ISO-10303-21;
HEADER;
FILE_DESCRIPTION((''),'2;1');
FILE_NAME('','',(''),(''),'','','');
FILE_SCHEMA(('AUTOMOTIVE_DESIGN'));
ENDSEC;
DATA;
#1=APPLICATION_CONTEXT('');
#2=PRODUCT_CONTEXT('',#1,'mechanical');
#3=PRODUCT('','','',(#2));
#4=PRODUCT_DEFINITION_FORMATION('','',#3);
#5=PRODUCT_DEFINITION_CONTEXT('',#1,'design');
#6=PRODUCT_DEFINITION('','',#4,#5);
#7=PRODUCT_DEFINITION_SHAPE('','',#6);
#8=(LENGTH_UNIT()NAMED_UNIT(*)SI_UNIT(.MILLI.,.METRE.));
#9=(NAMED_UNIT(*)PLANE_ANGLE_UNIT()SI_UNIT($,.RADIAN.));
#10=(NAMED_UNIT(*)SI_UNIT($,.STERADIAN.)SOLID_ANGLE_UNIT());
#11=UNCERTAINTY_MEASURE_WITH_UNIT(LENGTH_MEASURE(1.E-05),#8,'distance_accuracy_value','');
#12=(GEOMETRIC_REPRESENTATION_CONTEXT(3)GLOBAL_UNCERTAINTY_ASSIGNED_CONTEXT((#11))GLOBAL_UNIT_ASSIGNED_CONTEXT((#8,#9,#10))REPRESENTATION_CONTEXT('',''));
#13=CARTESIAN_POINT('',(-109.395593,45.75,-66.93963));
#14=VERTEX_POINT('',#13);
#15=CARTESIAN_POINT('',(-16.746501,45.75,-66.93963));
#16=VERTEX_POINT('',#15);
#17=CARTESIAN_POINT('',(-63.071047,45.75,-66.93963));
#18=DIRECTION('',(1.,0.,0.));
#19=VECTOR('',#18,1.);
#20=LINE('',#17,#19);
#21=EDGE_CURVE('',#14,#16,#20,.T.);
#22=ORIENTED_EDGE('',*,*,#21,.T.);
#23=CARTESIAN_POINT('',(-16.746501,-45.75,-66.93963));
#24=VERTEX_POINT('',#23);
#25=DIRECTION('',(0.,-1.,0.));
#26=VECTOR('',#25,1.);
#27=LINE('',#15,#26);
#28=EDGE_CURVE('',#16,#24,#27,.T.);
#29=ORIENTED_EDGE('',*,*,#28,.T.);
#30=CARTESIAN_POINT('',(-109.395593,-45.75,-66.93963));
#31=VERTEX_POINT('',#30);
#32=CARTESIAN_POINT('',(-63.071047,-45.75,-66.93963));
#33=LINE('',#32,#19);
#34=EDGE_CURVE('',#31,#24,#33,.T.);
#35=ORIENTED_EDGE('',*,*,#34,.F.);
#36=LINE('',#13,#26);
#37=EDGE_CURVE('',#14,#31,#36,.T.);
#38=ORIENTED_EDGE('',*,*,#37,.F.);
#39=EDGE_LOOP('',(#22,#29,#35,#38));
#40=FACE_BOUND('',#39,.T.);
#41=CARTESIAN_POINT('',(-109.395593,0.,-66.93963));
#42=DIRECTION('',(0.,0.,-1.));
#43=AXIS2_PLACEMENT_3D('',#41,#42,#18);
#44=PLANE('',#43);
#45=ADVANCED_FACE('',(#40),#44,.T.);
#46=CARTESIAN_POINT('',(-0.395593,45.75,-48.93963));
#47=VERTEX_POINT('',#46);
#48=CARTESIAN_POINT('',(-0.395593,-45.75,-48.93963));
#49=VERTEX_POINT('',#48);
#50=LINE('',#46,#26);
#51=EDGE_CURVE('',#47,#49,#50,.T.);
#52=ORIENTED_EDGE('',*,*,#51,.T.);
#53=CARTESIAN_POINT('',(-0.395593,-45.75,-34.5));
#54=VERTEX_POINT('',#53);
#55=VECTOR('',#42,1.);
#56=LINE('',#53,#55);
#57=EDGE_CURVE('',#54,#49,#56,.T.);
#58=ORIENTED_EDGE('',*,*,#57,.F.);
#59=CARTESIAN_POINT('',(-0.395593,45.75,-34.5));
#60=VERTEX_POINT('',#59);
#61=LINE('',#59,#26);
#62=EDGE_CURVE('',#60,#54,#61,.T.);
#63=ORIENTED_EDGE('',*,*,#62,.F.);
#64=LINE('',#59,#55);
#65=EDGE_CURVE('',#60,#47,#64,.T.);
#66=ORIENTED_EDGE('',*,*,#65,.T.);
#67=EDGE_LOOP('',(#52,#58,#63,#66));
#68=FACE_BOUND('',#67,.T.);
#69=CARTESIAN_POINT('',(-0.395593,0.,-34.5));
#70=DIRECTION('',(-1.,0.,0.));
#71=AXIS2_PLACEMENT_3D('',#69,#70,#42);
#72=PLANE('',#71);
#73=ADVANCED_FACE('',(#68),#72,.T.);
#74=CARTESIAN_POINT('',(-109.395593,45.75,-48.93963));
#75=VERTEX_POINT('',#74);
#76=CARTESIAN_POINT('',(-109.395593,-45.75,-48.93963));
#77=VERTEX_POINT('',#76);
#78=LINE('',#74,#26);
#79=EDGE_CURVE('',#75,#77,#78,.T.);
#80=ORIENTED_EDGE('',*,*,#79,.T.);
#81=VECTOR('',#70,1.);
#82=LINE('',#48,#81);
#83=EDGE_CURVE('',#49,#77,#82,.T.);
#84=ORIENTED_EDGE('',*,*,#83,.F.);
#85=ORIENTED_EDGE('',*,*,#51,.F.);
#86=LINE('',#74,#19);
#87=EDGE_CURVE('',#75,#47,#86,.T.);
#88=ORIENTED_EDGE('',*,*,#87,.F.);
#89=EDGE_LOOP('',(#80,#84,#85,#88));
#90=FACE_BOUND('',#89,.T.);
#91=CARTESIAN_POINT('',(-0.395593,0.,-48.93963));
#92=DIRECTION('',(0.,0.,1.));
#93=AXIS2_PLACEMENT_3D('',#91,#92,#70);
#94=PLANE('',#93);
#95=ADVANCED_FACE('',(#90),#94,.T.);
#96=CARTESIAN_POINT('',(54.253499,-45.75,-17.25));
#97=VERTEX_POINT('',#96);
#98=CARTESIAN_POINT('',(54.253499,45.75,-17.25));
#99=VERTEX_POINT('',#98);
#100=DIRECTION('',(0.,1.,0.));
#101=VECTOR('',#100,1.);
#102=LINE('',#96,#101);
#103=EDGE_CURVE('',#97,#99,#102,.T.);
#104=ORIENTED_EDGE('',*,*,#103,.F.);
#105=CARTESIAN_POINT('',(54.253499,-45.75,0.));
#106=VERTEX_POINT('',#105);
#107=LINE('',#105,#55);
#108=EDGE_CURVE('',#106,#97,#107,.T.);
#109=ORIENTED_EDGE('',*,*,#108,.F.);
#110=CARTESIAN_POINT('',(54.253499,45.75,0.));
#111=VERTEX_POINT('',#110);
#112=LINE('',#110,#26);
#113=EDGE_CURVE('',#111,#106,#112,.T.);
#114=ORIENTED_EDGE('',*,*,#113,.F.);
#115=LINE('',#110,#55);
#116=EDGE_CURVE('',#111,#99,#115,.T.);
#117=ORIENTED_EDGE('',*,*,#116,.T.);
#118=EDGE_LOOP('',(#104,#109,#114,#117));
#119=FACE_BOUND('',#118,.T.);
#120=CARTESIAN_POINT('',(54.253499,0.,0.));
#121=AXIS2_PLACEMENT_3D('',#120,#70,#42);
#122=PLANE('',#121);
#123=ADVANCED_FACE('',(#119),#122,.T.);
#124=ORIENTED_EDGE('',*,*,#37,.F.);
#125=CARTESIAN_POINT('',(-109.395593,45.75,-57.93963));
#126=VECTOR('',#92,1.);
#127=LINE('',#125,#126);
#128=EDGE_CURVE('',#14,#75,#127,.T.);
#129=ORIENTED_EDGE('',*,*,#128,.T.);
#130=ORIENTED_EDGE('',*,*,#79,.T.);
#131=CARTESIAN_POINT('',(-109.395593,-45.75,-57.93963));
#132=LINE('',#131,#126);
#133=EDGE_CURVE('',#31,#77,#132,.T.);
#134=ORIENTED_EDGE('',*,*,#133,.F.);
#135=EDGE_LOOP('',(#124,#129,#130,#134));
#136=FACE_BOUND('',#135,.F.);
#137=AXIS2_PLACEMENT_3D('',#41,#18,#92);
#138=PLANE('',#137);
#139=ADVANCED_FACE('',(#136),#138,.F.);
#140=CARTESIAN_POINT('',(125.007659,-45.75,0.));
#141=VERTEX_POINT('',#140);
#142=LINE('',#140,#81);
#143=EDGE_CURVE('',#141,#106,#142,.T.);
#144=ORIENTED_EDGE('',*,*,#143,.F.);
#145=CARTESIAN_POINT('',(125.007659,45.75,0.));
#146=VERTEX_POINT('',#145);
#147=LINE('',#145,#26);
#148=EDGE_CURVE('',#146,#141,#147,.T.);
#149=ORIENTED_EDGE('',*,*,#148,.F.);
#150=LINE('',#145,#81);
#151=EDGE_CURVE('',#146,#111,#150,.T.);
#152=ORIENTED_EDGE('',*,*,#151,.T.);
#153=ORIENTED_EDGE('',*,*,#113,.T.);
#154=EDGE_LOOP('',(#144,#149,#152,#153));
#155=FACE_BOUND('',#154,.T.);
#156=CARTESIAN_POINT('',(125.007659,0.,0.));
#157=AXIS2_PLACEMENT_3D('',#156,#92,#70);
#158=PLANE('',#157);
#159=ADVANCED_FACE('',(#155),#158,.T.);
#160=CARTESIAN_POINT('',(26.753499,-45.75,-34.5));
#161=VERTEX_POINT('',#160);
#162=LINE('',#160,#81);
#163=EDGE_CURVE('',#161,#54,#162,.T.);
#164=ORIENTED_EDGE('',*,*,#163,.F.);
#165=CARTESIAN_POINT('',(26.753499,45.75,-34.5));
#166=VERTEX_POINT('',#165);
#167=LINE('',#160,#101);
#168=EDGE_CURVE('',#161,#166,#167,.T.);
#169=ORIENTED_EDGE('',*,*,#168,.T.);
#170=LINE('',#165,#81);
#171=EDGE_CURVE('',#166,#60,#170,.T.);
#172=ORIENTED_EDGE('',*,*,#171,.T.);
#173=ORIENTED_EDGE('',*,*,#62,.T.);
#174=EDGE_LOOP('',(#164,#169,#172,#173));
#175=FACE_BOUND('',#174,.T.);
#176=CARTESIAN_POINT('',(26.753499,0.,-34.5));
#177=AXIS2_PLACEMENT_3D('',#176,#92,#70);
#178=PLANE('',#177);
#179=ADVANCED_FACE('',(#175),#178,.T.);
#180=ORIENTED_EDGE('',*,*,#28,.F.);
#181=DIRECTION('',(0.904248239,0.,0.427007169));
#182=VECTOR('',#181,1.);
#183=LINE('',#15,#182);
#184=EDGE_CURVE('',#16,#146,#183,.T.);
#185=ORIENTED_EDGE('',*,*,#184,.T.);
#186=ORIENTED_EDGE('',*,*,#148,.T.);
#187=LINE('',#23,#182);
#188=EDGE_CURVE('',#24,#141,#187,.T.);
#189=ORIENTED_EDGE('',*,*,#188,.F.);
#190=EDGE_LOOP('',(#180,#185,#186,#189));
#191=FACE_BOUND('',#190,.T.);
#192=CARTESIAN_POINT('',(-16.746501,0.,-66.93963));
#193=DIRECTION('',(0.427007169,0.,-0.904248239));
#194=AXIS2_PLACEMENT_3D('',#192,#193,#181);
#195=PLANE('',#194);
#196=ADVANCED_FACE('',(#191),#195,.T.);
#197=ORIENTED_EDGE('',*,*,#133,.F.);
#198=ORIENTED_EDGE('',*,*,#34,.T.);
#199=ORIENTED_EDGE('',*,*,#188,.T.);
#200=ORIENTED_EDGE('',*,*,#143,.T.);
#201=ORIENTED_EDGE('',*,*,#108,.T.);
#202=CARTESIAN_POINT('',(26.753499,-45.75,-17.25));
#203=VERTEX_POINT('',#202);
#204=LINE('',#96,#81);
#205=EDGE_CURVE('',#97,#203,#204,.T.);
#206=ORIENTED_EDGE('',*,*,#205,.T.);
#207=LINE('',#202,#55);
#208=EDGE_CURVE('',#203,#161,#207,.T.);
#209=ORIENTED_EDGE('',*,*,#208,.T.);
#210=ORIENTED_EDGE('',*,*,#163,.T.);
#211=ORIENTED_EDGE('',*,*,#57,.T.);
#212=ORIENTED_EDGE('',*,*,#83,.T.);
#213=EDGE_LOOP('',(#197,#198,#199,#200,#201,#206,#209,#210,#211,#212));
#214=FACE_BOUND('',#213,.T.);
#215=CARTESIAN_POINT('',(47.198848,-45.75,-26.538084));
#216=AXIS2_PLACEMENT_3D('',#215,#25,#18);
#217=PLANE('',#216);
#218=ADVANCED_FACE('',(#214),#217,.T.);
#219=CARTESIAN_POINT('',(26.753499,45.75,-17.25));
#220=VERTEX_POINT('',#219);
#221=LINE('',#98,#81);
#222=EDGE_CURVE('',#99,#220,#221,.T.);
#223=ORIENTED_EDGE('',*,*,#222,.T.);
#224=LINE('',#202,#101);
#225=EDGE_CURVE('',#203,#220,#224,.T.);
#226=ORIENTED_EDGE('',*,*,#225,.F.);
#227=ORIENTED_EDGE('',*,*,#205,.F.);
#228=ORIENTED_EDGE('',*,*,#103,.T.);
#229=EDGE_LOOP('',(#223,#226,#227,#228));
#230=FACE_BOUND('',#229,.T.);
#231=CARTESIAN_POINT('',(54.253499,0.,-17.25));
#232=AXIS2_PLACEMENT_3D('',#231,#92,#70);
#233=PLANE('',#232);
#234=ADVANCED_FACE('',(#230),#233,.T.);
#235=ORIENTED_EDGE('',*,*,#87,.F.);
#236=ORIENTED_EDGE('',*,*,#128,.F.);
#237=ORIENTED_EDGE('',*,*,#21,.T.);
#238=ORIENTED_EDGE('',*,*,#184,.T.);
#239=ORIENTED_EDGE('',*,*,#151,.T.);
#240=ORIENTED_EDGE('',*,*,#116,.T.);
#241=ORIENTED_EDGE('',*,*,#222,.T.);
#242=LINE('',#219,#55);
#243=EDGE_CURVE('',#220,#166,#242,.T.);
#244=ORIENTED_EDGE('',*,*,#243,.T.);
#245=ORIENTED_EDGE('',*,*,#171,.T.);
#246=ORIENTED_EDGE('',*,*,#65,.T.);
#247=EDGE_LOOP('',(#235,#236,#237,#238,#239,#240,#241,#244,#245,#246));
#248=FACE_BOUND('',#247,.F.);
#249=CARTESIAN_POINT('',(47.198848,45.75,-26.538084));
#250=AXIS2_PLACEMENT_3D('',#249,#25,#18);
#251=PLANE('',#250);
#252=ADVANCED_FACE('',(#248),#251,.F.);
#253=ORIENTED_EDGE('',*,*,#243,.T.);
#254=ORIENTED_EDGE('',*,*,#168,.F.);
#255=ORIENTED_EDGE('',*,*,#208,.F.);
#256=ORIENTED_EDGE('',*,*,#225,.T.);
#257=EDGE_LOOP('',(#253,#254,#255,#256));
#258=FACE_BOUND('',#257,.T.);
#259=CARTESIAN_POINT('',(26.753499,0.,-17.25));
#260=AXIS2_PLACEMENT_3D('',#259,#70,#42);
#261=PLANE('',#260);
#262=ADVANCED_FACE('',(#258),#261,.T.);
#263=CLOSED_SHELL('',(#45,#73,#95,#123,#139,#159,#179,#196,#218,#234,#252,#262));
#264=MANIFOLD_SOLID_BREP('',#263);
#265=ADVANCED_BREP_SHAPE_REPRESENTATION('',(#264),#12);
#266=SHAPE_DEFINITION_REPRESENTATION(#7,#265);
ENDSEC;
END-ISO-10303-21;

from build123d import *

# Parameters (mm, degrees)
F1_DEPTH = 45.75
F0_W     = 92.649092
F0_H     = 18
F2_DEPTH = 45.75


with BuildPart() as f1:
    # F0 (on Front) → F1 (new body, symmetric)
    with BuildSketch(Plane.XZ):
        Polygon((26.753499, -34.5), (-0.395593, -34.5), (-0.395593, -48.93963), (-16.746501, -48.93963), (-16.746501, -66.93963), (125.007659, 0), (54.253499, 0), (54.253499, -17.25), (26.753499, -17.25), align=None)
    extrude(amount=F1_DEPTH, both=True)

    # F0 (on Front) → F2 (join, symmetric)
    with BuildSketch(Plane.XZ):
        Polygon((26.753499, -34.5), (-0.395593, -34.5), (-0.395593, -48.93963), (-16.746501, -48.93963), (-16.746501, -66.93963), (125.007659, 0), (54.253499, 0), (54.253499, -17.25), (26.753499, -17.25), align=None)
        with Locations((-63.071047, -57.93963)):
            Rectangle(F0_W, F0_H)
    extrude(amount=F2_DEPTH, both=True)


solid = f1.part
